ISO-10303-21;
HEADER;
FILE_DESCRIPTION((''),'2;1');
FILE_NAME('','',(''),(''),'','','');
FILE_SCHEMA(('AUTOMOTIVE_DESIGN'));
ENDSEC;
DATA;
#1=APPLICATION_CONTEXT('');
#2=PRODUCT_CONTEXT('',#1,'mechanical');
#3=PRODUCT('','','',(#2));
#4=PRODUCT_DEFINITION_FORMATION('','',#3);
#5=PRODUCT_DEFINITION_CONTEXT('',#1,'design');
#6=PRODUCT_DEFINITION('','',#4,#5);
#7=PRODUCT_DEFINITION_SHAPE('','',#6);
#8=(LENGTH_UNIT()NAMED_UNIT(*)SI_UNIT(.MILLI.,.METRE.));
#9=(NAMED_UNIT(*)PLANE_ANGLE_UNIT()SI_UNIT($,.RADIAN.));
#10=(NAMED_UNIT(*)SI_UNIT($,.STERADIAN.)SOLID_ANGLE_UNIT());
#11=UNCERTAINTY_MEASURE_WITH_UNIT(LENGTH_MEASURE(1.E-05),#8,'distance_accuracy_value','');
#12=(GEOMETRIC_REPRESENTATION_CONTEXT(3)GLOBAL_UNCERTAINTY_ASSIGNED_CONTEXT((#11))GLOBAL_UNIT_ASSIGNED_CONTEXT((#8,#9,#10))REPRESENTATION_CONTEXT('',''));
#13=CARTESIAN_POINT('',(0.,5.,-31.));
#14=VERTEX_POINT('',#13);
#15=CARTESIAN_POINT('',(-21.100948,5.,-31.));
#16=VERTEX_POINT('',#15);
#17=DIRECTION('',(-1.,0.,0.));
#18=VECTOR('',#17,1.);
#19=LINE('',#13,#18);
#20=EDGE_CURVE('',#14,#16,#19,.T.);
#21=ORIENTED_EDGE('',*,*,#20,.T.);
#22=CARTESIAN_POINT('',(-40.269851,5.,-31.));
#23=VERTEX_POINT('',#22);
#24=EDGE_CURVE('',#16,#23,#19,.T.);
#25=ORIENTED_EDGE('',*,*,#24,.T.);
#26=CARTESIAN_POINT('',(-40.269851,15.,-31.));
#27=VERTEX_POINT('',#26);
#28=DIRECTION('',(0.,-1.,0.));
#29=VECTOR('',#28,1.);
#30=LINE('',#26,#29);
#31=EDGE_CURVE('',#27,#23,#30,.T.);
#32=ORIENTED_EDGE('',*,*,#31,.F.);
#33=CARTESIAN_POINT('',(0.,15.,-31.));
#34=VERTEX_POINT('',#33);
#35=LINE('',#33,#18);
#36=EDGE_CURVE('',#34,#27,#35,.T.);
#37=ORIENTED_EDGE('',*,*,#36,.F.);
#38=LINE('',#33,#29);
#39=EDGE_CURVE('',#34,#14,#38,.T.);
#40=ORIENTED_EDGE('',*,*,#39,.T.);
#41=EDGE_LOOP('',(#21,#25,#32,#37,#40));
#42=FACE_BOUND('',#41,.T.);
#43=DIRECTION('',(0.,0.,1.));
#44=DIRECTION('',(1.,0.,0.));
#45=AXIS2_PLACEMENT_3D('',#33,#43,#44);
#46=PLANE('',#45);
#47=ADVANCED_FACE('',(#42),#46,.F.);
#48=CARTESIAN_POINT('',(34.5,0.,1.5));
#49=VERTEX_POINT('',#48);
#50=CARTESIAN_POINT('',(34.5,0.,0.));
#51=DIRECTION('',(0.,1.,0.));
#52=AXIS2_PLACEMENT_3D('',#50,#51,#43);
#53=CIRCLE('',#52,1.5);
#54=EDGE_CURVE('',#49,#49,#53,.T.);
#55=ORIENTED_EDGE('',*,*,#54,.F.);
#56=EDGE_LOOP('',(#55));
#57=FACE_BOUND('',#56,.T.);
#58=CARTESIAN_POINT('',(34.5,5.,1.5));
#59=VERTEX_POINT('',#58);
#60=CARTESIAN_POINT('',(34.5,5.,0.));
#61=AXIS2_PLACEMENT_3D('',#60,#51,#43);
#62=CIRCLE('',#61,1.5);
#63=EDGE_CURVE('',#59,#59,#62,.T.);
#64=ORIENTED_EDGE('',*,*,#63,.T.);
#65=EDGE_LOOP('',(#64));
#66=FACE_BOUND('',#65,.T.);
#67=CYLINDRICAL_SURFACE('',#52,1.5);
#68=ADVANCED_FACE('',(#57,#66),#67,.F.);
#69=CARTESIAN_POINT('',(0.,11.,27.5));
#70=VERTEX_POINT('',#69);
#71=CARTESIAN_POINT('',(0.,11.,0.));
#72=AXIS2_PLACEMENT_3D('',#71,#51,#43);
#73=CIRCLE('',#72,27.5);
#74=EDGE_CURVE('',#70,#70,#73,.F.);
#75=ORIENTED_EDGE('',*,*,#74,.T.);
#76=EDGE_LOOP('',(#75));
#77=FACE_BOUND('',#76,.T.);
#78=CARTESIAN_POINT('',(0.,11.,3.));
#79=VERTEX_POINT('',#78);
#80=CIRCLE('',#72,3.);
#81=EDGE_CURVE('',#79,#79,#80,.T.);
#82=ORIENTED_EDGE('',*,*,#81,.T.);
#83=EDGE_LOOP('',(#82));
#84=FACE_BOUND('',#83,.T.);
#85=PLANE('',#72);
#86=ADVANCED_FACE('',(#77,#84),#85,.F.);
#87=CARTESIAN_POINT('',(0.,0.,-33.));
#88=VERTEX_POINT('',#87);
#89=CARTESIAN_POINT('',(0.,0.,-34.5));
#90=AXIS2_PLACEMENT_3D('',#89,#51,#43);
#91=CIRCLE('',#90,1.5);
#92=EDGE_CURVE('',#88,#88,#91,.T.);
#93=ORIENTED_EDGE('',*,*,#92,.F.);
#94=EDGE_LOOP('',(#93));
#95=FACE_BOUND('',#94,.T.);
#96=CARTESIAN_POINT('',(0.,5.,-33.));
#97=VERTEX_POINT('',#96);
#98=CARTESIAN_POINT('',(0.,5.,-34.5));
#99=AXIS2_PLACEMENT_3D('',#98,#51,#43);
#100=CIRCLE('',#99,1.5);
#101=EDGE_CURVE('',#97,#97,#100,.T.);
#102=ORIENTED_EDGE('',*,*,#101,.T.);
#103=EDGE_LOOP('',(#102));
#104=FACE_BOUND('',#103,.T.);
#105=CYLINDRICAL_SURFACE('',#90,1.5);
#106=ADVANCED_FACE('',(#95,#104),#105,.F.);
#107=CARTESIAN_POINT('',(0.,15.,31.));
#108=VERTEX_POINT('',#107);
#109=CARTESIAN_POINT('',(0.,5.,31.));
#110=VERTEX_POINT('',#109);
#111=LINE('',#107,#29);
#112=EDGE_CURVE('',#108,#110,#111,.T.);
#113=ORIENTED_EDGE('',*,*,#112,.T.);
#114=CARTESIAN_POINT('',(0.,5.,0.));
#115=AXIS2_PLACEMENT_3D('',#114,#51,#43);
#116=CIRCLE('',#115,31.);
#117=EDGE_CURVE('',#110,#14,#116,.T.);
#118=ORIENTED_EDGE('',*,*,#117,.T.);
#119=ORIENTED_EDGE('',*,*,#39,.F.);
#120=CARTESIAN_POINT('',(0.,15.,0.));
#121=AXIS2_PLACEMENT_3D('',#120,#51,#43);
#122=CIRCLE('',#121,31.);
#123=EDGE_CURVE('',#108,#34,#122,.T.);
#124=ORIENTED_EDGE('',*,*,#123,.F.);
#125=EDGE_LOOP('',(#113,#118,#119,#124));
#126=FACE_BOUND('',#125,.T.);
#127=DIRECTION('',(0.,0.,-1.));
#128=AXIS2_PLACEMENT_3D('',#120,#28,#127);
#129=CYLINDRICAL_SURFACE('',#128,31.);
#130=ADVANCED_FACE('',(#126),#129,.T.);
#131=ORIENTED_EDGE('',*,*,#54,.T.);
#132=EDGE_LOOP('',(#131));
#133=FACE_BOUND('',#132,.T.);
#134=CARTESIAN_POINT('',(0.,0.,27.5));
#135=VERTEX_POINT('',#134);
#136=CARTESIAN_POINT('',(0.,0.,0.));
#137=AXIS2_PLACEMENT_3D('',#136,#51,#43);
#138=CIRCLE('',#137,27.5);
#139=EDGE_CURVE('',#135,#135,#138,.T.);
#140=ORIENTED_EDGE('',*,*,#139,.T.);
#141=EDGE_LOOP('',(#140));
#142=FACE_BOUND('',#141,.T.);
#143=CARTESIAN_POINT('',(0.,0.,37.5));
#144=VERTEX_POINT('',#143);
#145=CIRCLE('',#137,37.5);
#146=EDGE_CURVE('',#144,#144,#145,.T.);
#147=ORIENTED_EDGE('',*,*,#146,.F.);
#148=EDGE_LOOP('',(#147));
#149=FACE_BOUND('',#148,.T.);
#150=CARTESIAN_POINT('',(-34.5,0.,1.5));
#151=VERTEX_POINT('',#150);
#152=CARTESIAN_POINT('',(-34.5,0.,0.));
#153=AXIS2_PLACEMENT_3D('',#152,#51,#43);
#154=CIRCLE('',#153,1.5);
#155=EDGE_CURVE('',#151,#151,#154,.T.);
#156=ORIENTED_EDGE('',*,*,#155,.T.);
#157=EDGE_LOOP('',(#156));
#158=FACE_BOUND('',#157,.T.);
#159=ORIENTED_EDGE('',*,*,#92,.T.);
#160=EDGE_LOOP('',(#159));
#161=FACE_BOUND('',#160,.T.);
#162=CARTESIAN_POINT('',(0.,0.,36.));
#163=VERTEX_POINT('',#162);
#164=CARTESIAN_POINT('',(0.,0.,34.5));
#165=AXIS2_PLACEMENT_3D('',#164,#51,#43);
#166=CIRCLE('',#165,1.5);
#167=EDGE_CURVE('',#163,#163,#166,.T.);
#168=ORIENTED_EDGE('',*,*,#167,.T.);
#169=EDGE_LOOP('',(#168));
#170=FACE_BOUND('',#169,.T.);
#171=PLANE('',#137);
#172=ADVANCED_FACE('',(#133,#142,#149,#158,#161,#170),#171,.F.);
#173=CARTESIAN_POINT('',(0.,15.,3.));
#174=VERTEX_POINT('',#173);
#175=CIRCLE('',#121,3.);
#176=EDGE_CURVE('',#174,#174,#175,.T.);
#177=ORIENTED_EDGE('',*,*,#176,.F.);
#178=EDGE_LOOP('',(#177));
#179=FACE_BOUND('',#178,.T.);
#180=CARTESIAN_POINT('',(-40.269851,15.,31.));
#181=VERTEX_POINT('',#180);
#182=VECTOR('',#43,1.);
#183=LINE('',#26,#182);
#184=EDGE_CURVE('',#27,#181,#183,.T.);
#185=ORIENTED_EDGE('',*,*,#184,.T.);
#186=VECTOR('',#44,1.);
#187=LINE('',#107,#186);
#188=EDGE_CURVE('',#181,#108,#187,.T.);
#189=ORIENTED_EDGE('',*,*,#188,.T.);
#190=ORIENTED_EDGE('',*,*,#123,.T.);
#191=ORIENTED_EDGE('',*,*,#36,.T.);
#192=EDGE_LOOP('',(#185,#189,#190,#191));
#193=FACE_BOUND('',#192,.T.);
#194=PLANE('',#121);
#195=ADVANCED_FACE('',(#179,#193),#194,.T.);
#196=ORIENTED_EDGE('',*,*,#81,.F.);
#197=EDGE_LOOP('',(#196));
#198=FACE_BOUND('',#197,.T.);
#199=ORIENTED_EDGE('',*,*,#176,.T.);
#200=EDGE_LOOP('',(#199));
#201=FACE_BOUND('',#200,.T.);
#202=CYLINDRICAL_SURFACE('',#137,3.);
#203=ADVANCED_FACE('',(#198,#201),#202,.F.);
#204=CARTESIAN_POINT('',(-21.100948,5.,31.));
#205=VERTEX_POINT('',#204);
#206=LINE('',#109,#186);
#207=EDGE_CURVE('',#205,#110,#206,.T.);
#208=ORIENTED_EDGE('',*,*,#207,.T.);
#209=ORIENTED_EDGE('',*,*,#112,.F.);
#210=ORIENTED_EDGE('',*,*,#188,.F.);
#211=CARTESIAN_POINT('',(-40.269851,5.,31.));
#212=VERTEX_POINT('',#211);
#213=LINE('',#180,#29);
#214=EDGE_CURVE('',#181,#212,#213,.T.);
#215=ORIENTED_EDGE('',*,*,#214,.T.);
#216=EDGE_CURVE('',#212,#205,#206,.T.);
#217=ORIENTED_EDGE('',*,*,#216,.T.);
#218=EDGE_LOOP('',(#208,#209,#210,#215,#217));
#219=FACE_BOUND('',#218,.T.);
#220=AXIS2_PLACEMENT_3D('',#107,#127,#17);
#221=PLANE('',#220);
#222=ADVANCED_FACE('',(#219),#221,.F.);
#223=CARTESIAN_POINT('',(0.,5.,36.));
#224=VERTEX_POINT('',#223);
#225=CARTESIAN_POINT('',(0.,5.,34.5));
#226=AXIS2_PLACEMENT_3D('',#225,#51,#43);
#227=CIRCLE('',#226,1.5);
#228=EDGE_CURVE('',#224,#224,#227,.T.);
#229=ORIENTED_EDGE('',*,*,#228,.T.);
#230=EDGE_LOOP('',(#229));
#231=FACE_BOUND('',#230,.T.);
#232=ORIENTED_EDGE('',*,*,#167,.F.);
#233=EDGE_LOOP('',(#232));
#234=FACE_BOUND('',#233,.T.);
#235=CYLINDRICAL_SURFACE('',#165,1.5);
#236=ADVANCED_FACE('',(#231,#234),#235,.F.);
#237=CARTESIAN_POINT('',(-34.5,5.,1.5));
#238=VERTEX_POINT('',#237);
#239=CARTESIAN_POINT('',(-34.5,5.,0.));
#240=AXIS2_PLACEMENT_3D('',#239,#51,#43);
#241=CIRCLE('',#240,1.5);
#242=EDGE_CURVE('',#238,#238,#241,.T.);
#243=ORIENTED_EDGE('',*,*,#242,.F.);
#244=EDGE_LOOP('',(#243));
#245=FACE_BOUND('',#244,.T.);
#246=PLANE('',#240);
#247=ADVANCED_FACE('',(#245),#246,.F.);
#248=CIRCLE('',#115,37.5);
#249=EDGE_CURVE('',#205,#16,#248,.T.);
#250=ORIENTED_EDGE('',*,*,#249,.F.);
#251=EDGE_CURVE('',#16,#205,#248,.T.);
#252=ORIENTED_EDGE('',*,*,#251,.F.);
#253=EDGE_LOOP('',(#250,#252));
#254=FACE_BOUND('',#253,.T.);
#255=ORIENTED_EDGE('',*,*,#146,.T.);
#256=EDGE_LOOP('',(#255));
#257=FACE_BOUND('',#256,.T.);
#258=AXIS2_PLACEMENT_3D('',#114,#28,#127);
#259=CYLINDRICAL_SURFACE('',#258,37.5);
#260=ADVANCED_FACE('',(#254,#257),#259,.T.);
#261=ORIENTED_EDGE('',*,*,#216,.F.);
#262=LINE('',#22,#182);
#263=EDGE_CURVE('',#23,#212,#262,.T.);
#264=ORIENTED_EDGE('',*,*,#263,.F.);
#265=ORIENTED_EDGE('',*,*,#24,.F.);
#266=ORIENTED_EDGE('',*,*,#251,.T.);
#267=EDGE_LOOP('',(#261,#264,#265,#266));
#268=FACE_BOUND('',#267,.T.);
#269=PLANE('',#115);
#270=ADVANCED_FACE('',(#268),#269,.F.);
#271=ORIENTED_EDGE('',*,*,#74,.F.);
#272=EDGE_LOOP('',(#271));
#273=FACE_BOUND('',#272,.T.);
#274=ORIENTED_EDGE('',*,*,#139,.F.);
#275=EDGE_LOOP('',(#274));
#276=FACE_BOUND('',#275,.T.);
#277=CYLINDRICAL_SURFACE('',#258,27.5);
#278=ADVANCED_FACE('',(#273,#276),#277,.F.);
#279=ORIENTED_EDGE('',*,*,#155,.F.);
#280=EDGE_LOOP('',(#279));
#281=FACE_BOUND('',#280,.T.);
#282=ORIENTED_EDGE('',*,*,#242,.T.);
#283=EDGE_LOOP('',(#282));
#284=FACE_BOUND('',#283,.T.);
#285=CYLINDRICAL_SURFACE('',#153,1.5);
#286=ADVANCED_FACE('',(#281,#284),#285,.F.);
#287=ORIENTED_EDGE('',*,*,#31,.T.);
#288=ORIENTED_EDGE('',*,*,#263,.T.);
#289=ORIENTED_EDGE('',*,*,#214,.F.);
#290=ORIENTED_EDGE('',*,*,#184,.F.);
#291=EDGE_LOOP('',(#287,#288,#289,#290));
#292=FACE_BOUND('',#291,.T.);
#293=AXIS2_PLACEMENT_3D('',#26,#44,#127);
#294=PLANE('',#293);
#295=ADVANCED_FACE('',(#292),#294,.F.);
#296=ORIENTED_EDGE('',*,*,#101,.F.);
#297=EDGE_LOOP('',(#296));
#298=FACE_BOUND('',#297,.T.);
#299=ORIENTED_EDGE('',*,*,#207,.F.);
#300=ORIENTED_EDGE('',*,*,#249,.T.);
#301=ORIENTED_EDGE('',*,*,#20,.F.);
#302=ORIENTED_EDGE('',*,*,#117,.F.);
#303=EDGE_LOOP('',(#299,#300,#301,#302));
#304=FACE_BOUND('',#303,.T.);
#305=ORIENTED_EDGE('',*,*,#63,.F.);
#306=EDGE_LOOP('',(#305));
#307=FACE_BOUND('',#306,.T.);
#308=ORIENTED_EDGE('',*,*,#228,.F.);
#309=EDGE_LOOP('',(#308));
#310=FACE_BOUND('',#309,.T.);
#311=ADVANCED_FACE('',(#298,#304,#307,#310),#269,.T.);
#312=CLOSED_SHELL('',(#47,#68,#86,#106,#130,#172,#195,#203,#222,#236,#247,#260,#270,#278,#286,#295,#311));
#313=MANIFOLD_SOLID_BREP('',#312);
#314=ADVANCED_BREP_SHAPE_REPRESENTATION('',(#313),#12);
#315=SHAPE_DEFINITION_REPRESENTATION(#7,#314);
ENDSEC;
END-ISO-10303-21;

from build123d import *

# Parameters (mm, degrees)
SKETCH1_R               = 37.5
SKETCH1_R_2             = 27.5
BOSS_EXTRUDE1_DEPTH     = 5
BOSS_EXTRUDE2_DEPTH     = 10
SKETCH3_R               = 27.5
CUT_EXTRUDE2_DEPTH      = 6
CUT_EXTRUDE3_DEPTH      = 58.034295486
CUT_EXTRUDE3_DEPTH_BACK = 58.034295486
SKETCH4_R               = 3
SKETCH5_R               = 1.5
CUT_EXTRUDE4_DEPTH      = 56.927728914


with BuildPart() as part:
    # Sketch1 → Boss-Extrude1 (new body)
    with BuildSketch(Plane(origin=(0, 0, 0), x_dir=(1, 0, 0), z_dir=(0, 1, 0))):
        with Locations(Location((0, 0, 0), (0, 0, 270))):
            Circle(SKETCH1_R)
        with Locations(Location((0, 0, 0), (0, 0, 270))):
            Circle(SKETCH1_R_2, mode=Mode.SUBTRACT)
    extrude(amount=BOSS_EXTRUDE1_DEPTH)

    # Sketch2 → Boss-Extrude2 (add)
    with BuildSketch(Plane(origin=(0, 5, 0), x_dir=(1, 0, 0), z_dir=(0, 1, 0))):
        with BuildLine():
            Line((0, 31), (-40.269850528, 31))
            Line((-40.269850528, 31), (-40.269850528, -31))
            Line((-40.269850528, -31), (0, -31))
            ThreePointArc((0, -31), (31, 0), (0, 31))
        make_face()
    extrude(amount=BOSS_EXTRUDE2_DEPTH)

    # Sketch3 → Cut-Extrude2 (cut)
    with BuildSketch(Plane.XZ.offset(-5)):
        with Locations(Location((0, 0, 0), (0, 0, 90))):
            Circle(SKETCH3_R)
    extrude(amount=-CUT_EXTRUDE2_DEPTH, mode=Mode.SUBTRACT)

    # Sketch4 → Cut-Extrude3 (cut, two sides: drawn at the far end of the back side and taken through both)
    with BuildSketch(Plane(origin=(0, 15, 0), x_dir=(1, 0, 0), z_dir=(0, 1, 0)).offset(-CUT_EXTRUDE3_DEPTH_BACK)):
        with Locations(Location((0, 0, 0), (0, 0, 270))):
            Circle(SKETCH4_R)
    extrude(amount=CUT_EXTRUDE3_DEPTH + CUT_EXTRUDE3_DEPTH_BACK, mode=Mode.SUBTRACT)

    # Sketch5 → Cut-Extrude4 (cut, through all)
    with BuildSketch(Plane(origin=(0, 5, 0), x_dir=(1, 0, 0), z_dir=(0, 1, 0))):
        with Locations(Location((34.5, 0, 0), (0, 0, 270))):
            Circle(SKETCH5_R)
        with Locations(Location((0, -34.5, 0), (0, 0, 270))):
            Circle(SKETCH5_R)
        with Locations(Location((-34.5, 0, 0), (0, 0, 270))):
            Circle(SKETCH5_R)
        with Locations(Location((0, 34.5, 0), (0, 0, 270))):
            Circle(SKETCH5_R)
    extrude(amount=-CUT_EXTRUDE4_DEPTH, mode=Mode.SUBTRACT)


solid = part.part
